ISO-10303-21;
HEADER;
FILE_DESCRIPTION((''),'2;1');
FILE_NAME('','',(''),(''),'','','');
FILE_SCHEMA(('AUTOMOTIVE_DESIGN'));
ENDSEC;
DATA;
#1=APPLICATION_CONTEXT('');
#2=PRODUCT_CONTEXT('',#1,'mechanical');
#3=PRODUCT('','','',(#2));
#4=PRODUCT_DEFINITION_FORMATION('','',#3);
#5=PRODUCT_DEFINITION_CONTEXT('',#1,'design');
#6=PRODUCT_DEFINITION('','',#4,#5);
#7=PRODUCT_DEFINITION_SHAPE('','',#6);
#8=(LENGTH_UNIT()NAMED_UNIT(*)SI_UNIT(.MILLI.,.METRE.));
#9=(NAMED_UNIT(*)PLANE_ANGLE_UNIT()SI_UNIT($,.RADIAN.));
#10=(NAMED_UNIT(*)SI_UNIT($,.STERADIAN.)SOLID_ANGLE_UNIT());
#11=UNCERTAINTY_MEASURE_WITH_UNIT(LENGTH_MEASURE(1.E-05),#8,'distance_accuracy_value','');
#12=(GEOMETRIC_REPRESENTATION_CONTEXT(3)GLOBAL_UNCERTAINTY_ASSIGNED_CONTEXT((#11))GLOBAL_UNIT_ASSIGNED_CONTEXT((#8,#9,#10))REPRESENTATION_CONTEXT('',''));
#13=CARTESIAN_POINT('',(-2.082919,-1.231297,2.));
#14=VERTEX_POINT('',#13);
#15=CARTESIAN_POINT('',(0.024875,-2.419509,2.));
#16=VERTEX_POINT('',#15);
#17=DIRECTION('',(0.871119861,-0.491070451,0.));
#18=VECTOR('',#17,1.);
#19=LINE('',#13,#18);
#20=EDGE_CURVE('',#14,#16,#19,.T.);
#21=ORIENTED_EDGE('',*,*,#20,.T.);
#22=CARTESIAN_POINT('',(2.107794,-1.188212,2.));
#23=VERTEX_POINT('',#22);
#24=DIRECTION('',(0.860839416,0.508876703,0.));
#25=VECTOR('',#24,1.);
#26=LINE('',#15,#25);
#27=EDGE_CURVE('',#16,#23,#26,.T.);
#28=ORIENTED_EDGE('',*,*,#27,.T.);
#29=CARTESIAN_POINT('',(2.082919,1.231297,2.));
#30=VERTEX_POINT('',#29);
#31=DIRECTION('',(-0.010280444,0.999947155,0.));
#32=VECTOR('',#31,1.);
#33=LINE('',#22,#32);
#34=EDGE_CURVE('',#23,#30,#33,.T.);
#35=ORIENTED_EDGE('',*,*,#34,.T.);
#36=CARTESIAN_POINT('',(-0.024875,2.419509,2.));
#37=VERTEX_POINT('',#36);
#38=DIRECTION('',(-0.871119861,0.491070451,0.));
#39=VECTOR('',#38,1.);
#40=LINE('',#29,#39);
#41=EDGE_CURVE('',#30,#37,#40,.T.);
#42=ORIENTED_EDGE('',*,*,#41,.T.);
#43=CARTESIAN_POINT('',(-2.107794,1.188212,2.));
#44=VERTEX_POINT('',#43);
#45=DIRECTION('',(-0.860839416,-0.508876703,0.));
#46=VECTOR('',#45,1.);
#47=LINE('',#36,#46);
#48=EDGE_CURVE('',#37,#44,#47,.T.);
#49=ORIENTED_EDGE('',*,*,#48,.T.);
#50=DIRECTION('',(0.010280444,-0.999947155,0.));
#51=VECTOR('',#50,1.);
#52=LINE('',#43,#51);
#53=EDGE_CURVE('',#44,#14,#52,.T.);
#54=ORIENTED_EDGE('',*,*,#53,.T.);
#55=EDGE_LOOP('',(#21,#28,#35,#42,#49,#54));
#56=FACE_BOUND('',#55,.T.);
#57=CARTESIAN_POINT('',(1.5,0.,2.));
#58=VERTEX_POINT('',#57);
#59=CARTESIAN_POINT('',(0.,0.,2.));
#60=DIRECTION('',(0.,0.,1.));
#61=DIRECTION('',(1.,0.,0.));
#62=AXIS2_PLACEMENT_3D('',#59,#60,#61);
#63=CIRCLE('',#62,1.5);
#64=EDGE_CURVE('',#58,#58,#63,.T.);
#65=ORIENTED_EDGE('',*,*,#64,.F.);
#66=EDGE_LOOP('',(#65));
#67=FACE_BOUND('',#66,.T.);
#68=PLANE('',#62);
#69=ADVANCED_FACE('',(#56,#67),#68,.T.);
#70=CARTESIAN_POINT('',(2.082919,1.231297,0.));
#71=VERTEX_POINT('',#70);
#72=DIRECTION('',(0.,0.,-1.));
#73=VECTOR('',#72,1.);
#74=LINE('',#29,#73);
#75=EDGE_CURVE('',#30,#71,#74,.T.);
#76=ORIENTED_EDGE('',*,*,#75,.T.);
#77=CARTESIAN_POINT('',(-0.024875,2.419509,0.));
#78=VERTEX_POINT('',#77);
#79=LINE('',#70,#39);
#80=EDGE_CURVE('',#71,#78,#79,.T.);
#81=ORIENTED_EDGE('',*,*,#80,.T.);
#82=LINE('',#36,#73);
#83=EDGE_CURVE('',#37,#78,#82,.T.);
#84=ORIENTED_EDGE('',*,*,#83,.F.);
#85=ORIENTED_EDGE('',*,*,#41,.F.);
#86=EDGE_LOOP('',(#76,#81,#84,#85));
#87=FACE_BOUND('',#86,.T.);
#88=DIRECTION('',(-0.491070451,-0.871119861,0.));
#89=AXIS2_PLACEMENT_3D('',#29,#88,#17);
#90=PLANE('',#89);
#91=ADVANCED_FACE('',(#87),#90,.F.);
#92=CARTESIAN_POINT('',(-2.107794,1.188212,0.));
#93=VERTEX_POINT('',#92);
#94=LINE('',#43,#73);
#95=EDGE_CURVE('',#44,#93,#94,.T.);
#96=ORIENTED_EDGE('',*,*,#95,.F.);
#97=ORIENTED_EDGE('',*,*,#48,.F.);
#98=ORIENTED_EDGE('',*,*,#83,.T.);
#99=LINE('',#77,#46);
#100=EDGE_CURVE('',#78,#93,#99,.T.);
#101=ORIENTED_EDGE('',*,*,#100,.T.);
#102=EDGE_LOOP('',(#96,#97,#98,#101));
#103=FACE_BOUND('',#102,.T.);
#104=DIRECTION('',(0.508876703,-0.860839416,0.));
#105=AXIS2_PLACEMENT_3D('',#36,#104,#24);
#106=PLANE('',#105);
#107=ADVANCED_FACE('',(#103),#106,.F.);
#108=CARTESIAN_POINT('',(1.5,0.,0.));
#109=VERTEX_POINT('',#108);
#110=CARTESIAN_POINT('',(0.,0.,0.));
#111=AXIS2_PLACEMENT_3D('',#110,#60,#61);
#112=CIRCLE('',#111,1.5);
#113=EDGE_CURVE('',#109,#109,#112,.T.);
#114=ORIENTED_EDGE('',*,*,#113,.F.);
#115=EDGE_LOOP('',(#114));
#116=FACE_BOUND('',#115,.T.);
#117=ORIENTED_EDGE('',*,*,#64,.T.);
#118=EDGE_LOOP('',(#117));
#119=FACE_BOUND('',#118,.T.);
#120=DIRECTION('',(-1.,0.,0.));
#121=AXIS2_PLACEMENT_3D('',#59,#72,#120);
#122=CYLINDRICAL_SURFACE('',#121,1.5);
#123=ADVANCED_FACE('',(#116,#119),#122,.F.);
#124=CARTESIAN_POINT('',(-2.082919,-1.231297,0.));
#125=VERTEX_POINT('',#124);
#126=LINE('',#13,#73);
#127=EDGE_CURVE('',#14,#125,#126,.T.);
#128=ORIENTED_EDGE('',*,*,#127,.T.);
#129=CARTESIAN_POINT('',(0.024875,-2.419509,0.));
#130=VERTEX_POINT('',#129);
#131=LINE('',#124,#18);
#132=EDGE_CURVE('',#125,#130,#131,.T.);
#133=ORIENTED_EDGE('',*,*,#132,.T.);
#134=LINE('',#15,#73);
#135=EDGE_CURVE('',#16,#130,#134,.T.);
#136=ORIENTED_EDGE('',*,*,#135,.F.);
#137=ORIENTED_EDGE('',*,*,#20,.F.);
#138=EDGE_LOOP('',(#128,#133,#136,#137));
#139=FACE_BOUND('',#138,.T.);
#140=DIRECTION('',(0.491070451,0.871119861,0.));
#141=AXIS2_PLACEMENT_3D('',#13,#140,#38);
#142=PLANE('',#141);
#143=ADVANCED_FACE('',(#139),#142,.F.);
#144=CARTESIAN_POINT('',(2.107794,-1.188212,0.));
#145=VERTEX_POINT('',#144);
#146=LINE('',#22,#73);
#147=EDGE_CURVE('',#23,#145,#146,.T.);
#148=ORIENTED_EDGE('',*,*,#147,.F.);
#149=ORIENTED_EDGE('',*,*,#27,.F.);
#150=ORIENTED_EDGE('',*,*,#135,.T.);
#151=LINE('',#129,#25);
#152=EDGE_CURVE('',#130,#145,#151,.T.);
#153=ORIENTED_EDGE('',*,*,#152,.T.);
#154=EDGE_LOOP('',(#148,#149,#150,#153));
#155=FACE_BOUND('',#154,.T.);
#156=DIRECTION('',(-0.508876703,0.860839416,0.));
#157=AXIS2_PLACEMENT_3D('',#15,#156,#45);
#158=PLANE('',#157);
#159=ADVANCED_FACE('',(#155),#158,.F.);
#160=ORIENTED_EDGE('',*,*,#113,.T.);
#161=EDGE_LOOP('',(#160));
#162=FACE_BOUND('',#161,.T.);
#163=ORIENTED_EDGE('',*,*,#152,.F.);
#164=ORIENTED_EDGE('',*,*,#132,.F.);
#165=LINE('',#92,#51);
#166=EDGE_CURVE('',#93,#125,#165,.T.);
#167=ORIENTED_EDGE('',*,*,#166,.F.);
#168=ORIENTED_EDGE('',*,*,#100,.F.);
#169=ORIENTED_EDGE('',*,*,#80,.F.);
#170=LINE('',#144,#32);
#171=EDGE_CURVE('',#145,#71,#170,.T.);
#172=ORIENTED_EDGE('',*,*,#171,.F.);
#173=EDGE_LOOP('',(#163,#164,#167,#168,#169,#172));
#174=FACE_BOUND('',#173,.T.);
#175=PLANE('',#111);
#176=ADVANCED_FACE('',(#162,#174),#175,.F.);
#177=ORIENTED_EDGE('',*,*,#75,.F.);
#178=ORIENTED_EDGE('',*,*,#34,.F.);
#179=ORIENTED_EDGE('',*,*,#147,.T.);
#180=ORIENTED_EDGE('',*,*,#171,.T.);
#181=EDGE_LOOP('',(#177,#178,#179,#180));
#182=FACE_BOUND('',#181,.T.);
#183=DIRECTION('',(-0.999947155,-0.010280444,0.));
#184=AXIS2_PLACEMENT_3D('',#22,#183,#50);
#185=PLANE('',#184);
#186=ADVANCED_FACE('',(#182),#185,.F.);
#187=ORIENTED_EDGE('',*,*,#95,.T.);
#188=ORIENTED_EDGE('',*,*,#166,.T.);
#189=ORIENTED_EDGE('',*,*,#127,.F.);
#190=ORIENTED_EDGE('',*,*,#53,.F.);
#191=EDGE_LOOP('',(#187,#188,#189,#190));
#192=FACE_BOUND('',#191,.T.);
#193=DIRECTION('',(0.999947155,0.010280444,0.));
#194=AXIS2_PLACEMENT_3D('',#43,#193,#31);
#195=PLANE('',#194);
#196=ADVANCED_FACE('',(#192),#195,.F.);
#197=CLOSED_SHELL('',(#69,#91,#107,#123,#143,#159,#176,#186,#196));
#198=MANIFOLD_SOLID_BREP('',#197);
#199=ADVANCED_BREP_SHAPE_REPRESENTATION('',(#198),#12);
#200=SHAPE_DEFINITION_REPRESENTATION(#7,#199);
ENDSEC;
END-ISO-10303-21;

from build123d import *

# Parameters (mm, degrees)
SKETCH_1_R      = 1.5
EXTRUDE_1_DEPTH = 2


with BuildPart() as part:
    # 草图1 → 凸台-拉伸1 (new body)
    with BuildSketch(Plane.XY):
        Polygon((2.082918695, 1.231296777), (-0.024874941, 2.419508893), (-2.107793636, 1.188212115), (-2.082918695, -1.231296777), (0.024874941, -2.419508893), (2.107793636, -1.188212115), align=None)
        Circle(SKETCH_1_R, mode=Mode.SUBTRACT)
    extrude(amount=EXTRUDE_1_DEPTH)


solid = part.part
